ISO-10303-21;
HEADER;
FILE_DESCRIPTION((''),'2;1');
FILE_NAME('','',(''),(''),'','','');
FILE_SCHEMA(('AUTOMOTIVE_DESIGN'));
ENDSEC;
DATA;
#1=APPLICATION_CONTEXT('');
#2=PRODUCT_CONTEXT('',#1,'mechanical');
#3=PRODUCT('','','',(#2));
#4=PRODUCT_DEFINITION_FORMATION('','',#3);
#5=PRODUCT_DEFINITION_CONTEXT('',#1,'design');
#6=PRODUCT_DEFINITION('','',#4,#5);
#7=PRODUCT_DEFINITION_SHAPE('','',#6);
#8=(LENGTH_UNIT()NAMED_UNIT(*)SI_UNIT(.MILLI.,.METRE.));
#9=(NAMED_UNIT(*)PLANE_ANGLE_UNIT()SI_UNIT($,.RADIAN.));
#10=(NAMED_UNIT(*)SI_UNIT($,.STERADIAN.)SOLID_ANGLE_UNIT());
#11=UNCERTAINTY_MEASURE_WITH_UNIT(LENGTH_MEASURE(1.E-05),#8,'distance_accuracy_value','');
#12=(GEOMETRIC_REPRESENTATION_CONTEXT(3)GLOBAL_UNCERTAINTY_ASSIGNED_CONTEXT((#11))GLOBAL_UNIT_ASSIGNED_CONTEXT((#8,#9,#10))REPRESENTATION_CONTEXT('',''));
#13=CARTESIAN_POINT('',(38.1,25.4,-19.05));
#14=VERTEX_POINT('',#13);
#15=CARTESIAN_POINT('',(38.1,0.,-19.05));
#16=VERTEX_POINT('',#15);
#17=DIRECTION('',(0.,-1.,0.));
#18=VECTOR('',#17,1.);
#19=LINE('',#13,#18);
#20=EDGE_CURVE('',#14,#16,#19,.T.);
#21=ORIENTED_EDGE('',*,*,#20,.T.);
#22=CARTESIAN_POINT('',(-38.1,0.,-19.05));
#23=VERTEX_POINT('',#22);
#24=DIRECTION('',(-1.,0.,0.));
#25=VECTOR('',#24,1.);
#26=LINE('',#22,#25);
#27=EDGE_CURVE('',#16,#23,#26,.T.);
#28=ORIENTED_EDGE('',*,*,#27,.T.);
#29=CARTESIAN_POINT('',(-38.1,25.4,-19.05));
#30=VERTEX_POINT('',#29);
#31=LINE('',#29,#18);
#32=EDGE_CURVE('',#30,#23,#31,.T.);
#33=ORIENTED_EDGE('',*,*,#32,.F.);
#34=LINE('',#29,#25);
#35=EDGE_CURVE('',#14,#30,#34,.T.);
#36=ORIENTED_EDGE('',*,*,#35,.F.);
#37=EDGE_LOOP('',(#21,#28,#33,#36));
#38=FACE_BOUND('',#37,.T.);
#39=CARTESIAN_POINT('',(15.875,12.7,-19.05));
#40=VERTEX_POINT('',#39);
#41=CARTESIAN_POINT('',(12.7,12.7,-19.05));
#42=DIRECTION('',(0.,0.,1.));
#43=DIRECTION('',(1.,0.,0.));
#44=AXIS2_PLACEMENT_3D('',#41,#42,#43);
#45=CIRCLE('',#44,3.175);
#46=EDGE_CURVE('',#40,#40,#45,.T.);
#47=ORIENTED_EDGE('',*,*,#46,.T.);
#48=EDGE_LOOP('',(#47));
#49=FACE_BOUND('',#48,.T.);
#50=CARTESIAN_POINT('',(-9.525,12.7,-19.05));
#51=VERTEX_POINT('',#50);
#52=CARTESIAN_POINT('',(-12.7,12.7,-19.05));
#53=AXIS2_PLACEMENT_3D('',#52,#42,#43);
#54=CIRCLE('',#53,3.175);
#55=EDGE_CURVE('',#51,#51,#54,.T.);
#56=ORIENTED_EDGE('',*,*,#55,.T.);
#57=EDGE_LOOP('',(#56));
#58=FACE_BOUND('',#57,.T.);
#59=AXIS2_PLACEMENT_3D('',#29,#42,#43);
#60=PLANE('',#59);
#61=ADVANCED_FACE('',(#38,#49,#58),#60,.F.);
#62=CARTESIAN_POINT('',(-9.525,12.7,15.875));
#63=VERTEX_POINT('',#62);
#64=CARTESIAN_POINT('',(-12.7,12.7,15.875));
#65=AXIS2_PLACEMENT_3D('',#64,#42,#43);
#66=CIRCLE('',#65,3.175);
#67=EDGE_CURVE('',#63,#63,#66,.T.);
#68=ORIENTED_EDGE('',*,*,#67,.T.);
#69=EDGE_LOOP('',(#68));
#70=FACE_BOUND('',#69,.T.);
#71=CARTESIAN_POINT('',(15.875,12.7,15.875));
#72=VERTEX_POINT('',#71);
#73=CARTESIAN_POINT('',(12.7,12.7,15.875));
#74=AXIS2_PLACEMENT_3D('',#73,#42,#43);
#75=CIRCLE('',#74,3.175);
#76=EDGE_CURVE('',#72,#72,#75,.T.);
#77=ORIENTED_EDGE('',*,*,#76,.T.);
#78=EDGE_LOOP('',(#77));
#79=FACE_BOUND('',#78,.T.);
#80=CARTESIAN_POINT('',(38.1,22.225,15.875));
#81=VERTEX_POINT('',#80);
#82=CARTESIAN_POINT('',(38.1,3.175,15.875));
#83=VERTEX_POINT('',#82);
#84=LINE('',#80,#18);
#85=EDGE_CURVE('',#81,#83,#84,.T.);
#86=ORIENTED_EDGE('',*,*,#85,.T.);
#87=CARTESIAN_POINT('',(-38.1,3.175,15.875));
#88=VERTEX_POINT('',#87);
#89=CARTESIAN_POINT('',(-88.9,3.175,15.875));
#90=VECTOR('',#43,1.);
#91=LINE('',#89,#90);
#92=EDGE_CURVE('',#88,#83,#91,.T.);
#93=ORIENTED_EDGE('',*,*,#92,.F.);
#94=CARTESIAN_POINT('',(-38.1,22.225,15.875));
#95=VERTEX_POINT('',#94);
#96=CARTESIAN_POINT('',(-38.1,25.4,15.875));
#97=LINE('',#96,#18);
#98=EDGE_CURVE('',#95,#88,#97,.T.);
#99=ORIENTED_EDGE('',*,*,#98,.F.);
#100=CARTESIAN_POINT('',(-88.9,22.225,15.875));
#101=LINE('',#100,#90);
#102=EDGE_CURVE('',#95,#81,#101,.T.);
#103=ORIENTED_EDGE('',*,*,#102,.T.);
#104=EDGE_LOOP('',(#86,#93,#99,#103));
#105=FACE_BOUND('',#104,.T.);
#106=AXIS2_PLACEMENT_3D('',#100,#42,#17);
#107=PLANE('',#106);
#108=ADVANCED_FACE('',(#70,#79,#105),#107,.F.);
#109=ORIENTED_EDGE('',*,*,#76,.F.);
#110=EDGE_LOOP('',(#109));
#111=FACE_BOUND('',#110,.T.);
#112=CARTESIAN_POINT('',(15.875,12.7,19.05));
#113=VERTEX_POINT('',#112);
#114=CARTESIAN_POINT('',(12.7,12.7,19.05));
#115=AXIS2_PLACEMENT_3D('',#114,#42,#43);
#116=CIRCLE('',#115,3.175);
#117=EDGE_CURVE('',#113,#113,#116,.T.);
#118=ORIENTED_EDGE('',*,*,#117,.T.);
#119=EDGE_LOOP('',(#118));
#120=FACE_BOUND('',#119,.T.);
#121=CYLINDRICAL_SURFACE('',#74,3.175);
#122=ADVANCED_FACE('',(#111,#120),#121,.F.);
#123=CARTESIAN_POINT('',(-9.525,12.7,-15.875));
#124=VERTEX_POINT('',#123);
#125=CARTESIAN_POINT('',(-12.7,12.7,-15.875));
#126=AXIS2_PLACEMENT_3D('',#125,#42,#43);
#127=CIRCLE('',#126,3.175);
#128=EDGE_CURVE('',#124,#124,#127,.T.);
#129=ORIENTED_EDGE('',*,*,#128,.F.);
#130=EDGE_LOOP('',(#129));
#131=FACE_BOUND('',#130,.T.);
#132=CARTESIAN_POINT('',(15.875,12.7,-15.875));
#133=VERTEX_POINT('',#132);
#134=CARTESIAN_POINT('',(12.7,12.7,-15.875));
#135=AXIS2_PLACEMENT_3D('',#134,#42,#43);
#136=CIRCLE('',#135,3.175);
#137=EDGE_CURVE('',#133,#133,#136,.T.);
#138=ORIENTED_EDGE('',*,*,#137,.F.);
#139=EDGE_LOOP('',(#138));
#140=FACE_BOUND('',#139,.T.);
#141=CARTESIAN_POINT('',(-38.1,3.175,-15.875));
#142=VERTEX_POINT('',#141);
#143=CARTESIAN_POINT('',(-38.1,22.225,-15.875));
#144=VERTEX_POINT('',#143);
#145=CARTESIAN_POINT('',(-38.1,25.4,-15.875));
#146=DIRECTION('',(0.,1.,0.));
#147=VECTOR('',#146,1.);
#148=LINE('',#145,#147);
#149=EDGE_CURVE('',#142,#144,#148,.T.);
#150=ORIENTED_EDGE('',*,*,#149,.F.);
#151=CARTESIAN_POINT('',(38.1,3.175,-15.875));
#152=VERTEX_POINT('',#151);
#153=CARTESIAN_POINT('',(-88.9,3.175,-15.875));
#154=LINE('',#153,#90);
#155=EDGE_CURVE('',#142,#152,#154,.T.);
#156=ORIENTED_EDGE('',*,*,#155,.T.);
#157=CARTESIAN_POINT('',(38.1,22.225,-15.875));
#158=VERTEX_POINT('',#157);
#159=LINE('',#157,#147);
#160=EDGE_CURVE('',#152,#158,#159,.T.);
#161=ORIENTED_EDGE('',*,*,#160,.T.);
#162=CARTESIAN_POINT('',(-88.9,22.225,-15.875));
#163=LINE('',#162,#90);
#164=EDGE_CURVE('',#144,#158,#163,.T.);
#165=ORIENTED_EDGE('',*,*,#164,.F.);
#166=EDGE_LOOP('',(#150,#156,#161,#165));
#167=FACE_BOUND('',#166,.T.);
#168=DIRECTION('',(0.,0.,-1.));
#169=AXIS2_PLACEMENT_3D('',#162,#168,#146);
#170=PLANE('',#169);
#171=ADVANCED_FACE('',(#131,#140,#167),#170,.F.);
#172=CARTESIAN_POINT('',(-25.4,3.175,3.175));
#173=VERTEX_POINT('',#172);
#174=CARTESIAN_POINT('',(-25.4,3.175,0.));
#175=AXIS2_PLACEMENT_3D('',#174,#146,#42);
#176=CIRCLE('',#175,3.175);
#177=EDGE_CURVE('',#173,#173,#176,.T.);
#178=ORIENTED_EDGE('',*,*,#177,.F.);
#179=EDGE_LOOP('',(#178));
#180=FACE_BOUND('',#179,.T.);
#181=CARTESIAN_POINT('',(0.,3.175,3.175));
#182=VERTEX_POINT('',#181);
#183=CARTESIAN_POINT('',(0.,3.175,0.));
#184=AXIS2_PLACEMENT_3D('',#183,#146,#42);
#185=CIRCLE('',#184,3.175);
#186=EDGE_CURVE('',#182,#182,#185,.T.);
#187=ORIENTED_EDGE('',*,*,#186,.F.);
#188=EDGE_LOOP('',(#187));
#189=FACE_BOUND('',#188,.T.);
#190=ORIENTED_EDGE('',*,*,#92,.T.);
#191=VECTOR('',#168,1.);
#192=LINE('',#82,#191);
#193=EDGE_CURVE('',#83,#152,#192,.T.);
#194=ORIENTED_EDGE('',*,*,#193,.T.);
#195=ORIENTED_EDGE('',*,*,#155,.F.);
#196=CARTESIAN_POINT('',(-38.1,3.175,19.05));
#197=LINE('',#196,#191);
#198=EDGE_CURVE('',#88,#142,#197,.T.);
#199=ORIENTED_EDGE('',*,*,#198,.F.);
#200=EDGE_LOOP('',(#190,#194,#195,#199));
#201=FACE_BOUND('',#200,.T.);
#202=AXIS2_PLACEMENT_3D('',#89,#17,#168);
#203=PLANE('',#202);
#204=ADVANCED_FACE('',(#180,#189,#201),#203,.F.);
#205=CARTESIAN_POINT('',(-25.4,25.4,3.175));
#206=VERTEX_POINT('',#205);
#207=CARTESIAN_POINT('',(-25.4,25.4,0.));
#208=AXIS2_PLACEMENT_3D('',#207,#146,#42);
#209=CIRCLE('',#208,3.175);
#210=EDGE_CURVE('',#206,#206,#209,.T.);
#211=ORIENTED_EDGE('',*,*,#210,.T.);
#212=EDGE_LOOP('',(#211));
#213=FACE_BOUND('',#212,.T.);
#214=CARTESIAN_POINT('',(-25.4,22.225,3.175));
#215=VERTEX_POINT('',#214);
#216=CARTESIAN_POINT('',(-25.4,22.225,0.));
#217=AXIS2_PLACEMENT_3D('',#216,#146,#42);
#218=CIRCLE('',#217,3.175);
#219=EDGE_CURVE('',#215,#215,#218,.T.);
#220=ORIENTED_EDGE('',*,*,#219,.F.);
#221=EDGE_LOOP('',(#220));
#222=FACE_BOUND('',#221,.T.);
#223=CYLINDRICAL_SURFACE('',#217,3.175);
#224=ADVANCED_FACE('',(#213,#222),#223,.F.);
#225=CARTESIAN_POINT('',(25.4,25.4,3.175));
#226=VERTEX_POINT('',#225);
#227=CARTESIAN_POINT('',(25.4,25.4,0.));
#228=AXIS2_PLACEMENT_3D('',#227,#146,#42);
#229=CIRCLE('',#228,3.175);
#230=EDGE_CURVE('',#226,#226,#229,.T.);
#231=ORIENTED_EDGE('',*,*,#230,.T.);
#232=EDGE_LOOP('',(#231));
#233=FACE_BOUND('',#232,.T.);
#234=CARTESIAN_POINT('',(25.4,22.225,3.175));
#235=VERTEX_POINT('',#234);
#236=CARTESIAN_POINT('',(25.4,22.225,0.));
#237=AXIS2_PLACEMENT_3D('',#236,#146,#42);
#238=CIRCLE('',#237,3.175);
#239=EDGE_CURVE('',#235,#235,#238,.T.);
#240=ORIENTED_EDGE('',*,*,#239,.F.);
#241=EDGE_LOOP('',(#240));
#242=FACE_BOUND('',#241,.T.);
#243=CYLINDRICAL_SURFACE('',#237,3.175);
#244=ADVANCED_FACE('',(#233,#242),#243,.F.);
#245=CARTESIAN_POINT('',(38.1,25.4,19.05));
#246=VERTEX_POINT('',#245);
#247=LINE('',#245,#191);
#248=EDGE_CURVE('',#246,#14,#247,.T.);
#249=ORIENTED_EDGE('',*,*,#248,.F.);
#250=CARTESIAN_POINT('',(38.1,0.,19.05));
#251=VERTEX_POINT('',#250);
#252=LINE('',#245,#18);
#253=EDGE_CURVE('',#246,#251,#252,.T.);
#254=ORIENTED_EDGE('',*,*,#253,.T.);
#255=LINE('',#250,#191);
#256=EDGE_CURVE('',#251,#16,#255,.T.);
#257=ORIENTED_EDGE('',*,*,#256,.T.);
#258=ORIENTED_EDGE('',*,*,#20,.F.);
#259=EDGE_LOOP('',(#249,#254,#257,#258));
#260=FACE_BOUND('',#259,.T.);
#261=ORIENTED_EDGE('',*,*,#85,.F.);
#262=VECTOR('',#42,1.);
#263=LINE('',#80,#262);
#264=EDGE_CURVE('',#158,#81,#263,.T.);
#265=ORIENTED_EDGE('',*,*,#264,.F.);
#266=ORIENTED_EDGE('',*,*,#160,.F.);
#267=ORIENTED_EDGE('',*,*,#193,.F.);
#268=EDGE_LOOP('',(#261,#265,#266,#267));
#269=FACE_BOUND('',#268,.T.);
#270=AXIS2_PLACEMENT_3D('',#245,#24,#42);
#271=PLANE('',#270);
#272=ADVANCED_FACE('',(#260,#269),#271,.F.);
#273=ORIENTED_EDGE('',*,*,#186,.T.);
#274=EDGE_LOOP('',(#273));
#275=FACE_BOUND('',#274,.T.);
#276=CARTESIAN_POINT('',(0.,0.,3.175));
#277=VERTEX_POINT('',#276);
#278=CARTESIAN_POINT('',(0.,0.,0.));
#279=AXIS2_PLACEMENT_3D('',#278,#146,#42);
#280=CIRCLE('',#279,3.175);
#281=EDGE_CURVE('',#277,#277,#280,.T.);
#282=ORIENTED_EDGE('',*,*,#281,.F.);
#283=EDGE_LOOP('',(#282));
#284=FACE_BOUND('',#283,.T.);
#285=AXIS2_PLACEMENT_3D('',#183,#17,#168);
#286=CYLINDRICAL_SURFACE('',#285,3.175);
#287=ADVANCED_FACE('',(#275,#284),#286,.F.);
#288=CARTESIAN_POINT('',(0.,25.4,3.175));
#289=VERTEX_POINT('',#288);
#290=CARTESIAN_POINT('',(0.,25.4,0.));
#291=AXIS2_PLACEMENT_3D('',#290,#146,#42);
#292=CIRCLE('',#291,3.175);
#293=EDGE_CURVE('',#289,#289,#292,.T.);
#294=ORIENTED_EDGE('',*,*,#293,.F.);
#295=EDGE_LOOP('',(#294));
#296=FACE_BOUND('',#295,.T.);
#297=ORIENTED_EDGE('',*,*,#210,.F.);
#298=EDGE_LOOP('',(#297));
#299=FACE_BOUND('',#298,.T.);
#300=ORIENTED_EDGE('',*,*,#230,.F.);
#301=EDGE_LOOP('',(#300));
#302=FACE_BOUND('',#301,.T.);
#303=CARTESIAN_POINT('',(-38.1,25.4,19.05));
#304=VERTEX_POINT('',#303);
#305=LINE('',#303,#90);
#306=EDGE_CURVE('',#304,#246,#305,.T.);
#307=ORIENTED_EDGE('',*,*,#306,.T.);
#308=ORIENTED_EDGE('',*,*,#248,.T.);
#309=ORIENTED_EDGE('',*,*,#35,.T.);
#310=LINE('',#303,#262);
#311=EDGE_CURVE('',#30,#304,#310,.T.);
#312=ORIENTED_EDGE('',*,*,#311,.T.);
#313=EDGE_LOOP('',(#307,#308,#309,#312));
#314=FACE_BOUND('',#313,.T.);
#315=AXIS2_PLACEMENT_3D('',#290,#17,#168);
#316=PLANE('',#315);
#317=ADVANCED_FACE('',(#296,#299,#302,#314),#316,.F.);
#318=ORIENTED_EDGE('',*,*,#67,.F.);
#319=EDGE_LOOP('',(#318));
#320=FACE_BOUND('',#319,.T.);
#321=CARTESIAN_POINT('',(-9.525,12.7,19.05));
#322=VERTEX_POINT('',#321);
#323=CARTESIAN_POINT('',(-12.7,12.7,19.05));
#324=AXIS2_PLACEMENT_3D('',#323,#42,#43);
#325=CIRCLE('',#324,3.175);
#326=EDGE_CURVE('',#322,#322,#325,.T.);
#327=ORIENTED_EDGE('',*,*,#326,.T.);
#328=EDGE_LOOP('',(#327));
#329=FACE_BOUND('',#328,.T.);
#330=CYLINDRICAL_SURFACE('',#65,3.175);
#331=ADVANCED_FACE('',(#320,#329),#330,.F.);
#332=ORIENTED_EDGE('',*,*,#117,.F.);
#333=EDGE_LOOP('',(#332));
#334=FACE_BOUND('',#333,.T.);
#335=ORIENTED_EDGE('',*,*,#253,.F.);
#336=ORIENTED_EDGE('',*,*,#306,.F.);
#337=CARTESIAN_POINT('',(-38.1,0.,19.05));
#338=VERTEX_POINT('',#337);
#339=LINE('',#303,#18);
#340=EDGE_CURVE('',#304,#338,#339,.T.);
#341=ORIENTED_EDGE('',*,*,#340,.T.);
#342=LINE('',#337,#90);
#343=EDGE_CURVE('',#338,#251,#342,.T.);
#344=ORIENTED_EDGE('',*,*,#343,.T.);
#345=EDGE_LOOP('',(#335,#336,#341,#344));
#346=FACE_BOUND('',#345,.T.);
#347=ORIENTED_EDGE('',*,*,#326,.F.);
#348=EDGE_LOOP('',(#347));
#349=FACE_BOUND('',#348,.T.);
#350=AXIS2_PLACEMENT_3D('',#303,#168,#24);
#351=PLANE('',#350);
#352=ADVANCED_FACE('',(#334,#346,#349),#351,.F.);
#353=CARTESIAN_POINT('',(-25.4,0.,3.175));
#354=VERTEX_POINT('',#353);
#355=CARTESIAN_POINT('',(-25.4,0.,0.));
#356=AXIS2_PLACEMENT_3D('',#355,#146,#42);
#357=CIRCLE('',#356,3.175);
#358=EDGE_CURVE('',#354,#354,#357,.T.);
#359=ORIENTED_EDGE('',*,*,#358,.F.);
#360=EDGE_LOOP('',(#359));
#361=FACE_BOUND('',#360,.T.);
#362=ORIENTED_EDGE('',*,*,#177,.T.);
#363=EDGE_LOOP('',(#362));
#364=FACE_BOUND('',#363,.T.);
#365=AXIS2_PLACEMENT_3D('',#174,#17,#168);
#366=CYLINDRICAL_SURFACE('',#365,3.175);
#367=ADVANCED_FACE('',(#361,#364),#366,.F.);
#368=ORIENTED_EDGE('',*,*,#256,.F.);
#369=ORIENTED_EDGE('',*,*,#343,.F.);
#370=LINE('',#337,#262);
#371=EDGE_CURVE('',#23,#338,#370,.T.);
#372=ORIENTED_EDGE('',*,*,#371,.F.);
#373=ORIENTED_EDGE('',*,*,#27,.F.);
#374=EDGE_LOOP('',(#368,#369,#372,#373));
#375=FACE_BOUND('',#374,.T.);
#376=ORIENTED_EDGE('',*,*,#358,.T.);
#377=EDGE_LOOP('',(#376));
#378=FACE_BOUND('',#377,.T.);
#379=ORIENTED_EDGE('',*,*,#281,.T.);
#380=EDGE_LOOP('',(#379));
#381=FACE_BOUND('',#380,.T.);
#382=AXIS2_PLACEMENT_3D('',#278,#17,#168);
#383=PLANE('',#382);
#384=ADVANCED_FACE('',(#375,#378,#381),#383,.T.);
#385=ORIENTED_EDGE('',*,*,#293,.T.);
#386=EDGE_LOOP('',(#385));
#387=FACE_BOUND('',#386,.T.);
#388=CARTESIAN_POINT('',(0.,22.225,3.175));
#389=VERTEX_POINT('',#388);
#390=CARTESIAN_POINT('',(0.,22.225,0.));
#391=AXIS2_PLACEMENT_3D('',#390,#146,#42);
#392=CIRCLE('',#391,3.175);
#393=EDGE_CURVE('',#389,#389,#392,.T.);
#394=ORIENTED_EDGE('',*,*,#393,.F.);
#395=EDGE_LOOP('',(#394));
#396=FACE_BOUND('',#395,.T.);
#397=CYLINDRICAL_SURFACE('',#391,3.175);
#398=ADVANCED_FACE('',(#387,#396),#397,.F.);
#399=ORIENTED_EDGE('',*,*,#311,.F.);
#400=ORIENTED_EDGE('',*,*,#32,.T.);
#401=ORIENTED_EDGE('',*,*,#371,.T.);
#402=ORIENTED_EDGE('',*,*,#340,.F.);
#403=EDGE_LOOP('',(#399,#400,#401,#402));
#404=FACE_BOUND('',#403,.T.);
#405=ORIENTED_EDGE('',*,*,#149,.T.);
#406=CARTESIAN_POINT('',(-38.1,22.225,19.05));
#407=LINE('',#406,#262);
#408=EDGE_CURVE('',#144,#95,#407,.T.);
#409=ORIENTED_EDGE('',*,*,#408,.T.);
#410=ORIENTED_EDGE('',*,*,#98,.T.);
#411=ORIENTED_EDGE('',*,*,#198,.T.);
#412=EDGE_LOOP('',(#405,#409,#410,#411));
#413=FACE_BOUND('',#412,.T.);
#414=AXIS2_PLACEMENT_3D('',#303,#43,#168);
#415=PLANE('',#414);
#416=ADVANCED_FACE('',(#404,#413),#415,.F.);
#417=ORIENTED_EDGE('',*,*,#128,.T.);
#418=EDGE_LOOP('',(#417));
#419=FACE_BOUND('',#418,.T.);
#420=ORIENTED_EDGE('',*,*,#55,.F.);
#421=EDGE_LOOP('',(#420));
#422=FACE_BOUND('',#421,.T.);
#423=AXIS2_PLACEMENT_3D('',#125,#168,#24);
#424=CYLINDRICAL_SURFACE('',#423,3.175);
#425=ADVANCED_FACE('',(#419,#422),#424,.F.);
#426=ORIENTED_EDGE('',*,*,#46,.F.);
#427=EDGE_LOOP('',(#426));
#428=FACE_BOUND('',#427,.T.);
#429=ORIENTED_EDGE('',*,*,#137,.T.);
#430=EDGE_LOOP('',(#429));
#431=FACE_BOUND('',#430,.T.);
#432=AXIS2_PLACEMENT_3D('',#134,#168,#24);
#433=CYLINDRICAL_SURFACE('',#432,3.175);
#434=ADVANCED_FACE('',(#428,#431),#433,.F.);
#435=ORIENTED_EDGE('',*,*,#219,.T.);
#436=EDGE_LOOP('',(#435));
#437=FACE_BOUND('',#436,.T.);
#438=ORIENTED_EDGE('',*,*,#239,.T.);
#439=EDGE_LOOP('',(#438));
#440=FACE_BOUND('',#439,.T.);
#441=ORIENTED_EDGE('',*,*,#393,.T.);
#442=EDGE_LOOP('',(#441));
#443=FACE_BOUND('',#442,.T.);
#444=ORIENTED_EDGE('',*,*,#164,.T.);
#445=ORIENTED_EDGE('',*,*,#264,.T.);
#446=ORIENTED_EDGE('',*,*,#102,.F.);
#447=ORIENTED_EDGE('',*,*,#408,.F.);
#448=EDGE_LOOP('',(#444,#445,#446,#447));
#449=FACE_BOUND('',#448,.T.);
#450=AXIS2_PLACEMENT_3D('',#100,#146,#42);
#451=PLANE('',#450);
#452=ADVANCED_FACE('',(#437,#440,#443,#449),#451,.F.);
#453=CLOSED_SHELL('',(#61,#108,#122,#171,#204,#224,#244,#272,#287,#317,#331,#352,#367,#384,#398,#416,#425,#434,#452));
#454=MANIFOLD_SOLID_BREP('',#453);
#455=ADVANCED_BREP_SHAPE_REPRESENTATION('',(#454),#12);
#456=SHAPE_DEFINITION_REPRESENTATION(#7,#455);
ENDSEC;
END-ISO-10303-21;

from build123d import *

# Parameters (mm, degrees)
SKETCH1_W           = 76.2
SKETCH1_H           = 38.1
BOSS_EXTRUDE1_DEPTH = 25.4
SKETCH2_W           = 31.75
SKETCH2_H           = 19.05
CUT_EXTRUDE1_DEPTH  = 127
SKETCH3_R           = 3.175
CUT_EXTRUDE2_DEPTH  = 3.175
SKETCH4_R           = 3.175
CUT_EXTRUDE4_DEPTH  = 3.175
SKETCH3_5_R         = 3.175
CUT_EXTRUDE5_DEPTH  = 3.175


with BuildPart() as part:
    # Sketch1 → Boss-Extrude1 (new body)
    with BuildSketch(Plane(origin=(0, 0, 0), x_dir=(1, 0, 0), z_dir=(0, 1, 0))):
        Rectangle(SKETCH1_W, SKETCH1_H)
    extrude(amount=BOSS_EXTRUDE1_DEPTH)

    # Sketch2 → Cut-Extrude1 (cut)
    with BuildSketch(Plane(origin=(38.1, 0, 0), x_dir=(0, 0, -1), z_dir=(1, 0, 0))):
        with Locations((0, 12.7)):
            Rectangle(SKETCH2_W, SKETCH2_H)
    extrude(amount=-CUT_EXTRUDE1_DEPTH, mode=Mode.SUBTRACT)

    # Sketch3 → Cut-Extrude2 (cut)
    with BuildSketch(Plane(origin=(0, 25.4, 0), x_dir=(1, 0, 0), z_dir=(0, 1, 0))):
        with Locations((-25.4, 0)):
            Circle(SKETCH3_R)
        Circle(SKETCH3_R)
    cut_extrude2 = extrude(amount=-CUT_EXTRUDE2_DEPTH, mode=Mode.SUBTRACT)

    # Mirror1: Cut-Extrude2 across plane
    add(cut_extrude2.mirror(Plane.ZX.offset(12.7)), mode=Mode.SUBTRACT)

    # Sketch4 → Cut-Extrude4 (cut)
    with BuildSketch(Plane.XY.offset(19.05)):
        with Locations((-12.7, 12.7)):
            Circle(SKETCH4_R)
        with Locations((12.7, 12.7)):
            Circle(SKETCH4_R)
    cut_extrude4 = extrude(amount=-CUT_EXTRUDE4_DEPTH, mode=Mode.SUBTRACT)

    # Mirror3: Cut-Extrude4 across plane
    add(cut_extrude4.mirror(Plane.XY), mode=Mode.SUBTRACT)

    # Sketch3<5> → Cut-Extrude5 (cut)
    with BuildSketch(Plane(origin=(0, 25.4, 0), x_dir=(1, 0, 0), z_dir=(0, 1, 0))):
        with Locations((25.4, 0)):
            Circle(SKETCH3_5_R)
    extrude(amount=-CUT_EXTRUDE5_DEPTH, mode=Mode.SUBTRACT)


solid = part.part
